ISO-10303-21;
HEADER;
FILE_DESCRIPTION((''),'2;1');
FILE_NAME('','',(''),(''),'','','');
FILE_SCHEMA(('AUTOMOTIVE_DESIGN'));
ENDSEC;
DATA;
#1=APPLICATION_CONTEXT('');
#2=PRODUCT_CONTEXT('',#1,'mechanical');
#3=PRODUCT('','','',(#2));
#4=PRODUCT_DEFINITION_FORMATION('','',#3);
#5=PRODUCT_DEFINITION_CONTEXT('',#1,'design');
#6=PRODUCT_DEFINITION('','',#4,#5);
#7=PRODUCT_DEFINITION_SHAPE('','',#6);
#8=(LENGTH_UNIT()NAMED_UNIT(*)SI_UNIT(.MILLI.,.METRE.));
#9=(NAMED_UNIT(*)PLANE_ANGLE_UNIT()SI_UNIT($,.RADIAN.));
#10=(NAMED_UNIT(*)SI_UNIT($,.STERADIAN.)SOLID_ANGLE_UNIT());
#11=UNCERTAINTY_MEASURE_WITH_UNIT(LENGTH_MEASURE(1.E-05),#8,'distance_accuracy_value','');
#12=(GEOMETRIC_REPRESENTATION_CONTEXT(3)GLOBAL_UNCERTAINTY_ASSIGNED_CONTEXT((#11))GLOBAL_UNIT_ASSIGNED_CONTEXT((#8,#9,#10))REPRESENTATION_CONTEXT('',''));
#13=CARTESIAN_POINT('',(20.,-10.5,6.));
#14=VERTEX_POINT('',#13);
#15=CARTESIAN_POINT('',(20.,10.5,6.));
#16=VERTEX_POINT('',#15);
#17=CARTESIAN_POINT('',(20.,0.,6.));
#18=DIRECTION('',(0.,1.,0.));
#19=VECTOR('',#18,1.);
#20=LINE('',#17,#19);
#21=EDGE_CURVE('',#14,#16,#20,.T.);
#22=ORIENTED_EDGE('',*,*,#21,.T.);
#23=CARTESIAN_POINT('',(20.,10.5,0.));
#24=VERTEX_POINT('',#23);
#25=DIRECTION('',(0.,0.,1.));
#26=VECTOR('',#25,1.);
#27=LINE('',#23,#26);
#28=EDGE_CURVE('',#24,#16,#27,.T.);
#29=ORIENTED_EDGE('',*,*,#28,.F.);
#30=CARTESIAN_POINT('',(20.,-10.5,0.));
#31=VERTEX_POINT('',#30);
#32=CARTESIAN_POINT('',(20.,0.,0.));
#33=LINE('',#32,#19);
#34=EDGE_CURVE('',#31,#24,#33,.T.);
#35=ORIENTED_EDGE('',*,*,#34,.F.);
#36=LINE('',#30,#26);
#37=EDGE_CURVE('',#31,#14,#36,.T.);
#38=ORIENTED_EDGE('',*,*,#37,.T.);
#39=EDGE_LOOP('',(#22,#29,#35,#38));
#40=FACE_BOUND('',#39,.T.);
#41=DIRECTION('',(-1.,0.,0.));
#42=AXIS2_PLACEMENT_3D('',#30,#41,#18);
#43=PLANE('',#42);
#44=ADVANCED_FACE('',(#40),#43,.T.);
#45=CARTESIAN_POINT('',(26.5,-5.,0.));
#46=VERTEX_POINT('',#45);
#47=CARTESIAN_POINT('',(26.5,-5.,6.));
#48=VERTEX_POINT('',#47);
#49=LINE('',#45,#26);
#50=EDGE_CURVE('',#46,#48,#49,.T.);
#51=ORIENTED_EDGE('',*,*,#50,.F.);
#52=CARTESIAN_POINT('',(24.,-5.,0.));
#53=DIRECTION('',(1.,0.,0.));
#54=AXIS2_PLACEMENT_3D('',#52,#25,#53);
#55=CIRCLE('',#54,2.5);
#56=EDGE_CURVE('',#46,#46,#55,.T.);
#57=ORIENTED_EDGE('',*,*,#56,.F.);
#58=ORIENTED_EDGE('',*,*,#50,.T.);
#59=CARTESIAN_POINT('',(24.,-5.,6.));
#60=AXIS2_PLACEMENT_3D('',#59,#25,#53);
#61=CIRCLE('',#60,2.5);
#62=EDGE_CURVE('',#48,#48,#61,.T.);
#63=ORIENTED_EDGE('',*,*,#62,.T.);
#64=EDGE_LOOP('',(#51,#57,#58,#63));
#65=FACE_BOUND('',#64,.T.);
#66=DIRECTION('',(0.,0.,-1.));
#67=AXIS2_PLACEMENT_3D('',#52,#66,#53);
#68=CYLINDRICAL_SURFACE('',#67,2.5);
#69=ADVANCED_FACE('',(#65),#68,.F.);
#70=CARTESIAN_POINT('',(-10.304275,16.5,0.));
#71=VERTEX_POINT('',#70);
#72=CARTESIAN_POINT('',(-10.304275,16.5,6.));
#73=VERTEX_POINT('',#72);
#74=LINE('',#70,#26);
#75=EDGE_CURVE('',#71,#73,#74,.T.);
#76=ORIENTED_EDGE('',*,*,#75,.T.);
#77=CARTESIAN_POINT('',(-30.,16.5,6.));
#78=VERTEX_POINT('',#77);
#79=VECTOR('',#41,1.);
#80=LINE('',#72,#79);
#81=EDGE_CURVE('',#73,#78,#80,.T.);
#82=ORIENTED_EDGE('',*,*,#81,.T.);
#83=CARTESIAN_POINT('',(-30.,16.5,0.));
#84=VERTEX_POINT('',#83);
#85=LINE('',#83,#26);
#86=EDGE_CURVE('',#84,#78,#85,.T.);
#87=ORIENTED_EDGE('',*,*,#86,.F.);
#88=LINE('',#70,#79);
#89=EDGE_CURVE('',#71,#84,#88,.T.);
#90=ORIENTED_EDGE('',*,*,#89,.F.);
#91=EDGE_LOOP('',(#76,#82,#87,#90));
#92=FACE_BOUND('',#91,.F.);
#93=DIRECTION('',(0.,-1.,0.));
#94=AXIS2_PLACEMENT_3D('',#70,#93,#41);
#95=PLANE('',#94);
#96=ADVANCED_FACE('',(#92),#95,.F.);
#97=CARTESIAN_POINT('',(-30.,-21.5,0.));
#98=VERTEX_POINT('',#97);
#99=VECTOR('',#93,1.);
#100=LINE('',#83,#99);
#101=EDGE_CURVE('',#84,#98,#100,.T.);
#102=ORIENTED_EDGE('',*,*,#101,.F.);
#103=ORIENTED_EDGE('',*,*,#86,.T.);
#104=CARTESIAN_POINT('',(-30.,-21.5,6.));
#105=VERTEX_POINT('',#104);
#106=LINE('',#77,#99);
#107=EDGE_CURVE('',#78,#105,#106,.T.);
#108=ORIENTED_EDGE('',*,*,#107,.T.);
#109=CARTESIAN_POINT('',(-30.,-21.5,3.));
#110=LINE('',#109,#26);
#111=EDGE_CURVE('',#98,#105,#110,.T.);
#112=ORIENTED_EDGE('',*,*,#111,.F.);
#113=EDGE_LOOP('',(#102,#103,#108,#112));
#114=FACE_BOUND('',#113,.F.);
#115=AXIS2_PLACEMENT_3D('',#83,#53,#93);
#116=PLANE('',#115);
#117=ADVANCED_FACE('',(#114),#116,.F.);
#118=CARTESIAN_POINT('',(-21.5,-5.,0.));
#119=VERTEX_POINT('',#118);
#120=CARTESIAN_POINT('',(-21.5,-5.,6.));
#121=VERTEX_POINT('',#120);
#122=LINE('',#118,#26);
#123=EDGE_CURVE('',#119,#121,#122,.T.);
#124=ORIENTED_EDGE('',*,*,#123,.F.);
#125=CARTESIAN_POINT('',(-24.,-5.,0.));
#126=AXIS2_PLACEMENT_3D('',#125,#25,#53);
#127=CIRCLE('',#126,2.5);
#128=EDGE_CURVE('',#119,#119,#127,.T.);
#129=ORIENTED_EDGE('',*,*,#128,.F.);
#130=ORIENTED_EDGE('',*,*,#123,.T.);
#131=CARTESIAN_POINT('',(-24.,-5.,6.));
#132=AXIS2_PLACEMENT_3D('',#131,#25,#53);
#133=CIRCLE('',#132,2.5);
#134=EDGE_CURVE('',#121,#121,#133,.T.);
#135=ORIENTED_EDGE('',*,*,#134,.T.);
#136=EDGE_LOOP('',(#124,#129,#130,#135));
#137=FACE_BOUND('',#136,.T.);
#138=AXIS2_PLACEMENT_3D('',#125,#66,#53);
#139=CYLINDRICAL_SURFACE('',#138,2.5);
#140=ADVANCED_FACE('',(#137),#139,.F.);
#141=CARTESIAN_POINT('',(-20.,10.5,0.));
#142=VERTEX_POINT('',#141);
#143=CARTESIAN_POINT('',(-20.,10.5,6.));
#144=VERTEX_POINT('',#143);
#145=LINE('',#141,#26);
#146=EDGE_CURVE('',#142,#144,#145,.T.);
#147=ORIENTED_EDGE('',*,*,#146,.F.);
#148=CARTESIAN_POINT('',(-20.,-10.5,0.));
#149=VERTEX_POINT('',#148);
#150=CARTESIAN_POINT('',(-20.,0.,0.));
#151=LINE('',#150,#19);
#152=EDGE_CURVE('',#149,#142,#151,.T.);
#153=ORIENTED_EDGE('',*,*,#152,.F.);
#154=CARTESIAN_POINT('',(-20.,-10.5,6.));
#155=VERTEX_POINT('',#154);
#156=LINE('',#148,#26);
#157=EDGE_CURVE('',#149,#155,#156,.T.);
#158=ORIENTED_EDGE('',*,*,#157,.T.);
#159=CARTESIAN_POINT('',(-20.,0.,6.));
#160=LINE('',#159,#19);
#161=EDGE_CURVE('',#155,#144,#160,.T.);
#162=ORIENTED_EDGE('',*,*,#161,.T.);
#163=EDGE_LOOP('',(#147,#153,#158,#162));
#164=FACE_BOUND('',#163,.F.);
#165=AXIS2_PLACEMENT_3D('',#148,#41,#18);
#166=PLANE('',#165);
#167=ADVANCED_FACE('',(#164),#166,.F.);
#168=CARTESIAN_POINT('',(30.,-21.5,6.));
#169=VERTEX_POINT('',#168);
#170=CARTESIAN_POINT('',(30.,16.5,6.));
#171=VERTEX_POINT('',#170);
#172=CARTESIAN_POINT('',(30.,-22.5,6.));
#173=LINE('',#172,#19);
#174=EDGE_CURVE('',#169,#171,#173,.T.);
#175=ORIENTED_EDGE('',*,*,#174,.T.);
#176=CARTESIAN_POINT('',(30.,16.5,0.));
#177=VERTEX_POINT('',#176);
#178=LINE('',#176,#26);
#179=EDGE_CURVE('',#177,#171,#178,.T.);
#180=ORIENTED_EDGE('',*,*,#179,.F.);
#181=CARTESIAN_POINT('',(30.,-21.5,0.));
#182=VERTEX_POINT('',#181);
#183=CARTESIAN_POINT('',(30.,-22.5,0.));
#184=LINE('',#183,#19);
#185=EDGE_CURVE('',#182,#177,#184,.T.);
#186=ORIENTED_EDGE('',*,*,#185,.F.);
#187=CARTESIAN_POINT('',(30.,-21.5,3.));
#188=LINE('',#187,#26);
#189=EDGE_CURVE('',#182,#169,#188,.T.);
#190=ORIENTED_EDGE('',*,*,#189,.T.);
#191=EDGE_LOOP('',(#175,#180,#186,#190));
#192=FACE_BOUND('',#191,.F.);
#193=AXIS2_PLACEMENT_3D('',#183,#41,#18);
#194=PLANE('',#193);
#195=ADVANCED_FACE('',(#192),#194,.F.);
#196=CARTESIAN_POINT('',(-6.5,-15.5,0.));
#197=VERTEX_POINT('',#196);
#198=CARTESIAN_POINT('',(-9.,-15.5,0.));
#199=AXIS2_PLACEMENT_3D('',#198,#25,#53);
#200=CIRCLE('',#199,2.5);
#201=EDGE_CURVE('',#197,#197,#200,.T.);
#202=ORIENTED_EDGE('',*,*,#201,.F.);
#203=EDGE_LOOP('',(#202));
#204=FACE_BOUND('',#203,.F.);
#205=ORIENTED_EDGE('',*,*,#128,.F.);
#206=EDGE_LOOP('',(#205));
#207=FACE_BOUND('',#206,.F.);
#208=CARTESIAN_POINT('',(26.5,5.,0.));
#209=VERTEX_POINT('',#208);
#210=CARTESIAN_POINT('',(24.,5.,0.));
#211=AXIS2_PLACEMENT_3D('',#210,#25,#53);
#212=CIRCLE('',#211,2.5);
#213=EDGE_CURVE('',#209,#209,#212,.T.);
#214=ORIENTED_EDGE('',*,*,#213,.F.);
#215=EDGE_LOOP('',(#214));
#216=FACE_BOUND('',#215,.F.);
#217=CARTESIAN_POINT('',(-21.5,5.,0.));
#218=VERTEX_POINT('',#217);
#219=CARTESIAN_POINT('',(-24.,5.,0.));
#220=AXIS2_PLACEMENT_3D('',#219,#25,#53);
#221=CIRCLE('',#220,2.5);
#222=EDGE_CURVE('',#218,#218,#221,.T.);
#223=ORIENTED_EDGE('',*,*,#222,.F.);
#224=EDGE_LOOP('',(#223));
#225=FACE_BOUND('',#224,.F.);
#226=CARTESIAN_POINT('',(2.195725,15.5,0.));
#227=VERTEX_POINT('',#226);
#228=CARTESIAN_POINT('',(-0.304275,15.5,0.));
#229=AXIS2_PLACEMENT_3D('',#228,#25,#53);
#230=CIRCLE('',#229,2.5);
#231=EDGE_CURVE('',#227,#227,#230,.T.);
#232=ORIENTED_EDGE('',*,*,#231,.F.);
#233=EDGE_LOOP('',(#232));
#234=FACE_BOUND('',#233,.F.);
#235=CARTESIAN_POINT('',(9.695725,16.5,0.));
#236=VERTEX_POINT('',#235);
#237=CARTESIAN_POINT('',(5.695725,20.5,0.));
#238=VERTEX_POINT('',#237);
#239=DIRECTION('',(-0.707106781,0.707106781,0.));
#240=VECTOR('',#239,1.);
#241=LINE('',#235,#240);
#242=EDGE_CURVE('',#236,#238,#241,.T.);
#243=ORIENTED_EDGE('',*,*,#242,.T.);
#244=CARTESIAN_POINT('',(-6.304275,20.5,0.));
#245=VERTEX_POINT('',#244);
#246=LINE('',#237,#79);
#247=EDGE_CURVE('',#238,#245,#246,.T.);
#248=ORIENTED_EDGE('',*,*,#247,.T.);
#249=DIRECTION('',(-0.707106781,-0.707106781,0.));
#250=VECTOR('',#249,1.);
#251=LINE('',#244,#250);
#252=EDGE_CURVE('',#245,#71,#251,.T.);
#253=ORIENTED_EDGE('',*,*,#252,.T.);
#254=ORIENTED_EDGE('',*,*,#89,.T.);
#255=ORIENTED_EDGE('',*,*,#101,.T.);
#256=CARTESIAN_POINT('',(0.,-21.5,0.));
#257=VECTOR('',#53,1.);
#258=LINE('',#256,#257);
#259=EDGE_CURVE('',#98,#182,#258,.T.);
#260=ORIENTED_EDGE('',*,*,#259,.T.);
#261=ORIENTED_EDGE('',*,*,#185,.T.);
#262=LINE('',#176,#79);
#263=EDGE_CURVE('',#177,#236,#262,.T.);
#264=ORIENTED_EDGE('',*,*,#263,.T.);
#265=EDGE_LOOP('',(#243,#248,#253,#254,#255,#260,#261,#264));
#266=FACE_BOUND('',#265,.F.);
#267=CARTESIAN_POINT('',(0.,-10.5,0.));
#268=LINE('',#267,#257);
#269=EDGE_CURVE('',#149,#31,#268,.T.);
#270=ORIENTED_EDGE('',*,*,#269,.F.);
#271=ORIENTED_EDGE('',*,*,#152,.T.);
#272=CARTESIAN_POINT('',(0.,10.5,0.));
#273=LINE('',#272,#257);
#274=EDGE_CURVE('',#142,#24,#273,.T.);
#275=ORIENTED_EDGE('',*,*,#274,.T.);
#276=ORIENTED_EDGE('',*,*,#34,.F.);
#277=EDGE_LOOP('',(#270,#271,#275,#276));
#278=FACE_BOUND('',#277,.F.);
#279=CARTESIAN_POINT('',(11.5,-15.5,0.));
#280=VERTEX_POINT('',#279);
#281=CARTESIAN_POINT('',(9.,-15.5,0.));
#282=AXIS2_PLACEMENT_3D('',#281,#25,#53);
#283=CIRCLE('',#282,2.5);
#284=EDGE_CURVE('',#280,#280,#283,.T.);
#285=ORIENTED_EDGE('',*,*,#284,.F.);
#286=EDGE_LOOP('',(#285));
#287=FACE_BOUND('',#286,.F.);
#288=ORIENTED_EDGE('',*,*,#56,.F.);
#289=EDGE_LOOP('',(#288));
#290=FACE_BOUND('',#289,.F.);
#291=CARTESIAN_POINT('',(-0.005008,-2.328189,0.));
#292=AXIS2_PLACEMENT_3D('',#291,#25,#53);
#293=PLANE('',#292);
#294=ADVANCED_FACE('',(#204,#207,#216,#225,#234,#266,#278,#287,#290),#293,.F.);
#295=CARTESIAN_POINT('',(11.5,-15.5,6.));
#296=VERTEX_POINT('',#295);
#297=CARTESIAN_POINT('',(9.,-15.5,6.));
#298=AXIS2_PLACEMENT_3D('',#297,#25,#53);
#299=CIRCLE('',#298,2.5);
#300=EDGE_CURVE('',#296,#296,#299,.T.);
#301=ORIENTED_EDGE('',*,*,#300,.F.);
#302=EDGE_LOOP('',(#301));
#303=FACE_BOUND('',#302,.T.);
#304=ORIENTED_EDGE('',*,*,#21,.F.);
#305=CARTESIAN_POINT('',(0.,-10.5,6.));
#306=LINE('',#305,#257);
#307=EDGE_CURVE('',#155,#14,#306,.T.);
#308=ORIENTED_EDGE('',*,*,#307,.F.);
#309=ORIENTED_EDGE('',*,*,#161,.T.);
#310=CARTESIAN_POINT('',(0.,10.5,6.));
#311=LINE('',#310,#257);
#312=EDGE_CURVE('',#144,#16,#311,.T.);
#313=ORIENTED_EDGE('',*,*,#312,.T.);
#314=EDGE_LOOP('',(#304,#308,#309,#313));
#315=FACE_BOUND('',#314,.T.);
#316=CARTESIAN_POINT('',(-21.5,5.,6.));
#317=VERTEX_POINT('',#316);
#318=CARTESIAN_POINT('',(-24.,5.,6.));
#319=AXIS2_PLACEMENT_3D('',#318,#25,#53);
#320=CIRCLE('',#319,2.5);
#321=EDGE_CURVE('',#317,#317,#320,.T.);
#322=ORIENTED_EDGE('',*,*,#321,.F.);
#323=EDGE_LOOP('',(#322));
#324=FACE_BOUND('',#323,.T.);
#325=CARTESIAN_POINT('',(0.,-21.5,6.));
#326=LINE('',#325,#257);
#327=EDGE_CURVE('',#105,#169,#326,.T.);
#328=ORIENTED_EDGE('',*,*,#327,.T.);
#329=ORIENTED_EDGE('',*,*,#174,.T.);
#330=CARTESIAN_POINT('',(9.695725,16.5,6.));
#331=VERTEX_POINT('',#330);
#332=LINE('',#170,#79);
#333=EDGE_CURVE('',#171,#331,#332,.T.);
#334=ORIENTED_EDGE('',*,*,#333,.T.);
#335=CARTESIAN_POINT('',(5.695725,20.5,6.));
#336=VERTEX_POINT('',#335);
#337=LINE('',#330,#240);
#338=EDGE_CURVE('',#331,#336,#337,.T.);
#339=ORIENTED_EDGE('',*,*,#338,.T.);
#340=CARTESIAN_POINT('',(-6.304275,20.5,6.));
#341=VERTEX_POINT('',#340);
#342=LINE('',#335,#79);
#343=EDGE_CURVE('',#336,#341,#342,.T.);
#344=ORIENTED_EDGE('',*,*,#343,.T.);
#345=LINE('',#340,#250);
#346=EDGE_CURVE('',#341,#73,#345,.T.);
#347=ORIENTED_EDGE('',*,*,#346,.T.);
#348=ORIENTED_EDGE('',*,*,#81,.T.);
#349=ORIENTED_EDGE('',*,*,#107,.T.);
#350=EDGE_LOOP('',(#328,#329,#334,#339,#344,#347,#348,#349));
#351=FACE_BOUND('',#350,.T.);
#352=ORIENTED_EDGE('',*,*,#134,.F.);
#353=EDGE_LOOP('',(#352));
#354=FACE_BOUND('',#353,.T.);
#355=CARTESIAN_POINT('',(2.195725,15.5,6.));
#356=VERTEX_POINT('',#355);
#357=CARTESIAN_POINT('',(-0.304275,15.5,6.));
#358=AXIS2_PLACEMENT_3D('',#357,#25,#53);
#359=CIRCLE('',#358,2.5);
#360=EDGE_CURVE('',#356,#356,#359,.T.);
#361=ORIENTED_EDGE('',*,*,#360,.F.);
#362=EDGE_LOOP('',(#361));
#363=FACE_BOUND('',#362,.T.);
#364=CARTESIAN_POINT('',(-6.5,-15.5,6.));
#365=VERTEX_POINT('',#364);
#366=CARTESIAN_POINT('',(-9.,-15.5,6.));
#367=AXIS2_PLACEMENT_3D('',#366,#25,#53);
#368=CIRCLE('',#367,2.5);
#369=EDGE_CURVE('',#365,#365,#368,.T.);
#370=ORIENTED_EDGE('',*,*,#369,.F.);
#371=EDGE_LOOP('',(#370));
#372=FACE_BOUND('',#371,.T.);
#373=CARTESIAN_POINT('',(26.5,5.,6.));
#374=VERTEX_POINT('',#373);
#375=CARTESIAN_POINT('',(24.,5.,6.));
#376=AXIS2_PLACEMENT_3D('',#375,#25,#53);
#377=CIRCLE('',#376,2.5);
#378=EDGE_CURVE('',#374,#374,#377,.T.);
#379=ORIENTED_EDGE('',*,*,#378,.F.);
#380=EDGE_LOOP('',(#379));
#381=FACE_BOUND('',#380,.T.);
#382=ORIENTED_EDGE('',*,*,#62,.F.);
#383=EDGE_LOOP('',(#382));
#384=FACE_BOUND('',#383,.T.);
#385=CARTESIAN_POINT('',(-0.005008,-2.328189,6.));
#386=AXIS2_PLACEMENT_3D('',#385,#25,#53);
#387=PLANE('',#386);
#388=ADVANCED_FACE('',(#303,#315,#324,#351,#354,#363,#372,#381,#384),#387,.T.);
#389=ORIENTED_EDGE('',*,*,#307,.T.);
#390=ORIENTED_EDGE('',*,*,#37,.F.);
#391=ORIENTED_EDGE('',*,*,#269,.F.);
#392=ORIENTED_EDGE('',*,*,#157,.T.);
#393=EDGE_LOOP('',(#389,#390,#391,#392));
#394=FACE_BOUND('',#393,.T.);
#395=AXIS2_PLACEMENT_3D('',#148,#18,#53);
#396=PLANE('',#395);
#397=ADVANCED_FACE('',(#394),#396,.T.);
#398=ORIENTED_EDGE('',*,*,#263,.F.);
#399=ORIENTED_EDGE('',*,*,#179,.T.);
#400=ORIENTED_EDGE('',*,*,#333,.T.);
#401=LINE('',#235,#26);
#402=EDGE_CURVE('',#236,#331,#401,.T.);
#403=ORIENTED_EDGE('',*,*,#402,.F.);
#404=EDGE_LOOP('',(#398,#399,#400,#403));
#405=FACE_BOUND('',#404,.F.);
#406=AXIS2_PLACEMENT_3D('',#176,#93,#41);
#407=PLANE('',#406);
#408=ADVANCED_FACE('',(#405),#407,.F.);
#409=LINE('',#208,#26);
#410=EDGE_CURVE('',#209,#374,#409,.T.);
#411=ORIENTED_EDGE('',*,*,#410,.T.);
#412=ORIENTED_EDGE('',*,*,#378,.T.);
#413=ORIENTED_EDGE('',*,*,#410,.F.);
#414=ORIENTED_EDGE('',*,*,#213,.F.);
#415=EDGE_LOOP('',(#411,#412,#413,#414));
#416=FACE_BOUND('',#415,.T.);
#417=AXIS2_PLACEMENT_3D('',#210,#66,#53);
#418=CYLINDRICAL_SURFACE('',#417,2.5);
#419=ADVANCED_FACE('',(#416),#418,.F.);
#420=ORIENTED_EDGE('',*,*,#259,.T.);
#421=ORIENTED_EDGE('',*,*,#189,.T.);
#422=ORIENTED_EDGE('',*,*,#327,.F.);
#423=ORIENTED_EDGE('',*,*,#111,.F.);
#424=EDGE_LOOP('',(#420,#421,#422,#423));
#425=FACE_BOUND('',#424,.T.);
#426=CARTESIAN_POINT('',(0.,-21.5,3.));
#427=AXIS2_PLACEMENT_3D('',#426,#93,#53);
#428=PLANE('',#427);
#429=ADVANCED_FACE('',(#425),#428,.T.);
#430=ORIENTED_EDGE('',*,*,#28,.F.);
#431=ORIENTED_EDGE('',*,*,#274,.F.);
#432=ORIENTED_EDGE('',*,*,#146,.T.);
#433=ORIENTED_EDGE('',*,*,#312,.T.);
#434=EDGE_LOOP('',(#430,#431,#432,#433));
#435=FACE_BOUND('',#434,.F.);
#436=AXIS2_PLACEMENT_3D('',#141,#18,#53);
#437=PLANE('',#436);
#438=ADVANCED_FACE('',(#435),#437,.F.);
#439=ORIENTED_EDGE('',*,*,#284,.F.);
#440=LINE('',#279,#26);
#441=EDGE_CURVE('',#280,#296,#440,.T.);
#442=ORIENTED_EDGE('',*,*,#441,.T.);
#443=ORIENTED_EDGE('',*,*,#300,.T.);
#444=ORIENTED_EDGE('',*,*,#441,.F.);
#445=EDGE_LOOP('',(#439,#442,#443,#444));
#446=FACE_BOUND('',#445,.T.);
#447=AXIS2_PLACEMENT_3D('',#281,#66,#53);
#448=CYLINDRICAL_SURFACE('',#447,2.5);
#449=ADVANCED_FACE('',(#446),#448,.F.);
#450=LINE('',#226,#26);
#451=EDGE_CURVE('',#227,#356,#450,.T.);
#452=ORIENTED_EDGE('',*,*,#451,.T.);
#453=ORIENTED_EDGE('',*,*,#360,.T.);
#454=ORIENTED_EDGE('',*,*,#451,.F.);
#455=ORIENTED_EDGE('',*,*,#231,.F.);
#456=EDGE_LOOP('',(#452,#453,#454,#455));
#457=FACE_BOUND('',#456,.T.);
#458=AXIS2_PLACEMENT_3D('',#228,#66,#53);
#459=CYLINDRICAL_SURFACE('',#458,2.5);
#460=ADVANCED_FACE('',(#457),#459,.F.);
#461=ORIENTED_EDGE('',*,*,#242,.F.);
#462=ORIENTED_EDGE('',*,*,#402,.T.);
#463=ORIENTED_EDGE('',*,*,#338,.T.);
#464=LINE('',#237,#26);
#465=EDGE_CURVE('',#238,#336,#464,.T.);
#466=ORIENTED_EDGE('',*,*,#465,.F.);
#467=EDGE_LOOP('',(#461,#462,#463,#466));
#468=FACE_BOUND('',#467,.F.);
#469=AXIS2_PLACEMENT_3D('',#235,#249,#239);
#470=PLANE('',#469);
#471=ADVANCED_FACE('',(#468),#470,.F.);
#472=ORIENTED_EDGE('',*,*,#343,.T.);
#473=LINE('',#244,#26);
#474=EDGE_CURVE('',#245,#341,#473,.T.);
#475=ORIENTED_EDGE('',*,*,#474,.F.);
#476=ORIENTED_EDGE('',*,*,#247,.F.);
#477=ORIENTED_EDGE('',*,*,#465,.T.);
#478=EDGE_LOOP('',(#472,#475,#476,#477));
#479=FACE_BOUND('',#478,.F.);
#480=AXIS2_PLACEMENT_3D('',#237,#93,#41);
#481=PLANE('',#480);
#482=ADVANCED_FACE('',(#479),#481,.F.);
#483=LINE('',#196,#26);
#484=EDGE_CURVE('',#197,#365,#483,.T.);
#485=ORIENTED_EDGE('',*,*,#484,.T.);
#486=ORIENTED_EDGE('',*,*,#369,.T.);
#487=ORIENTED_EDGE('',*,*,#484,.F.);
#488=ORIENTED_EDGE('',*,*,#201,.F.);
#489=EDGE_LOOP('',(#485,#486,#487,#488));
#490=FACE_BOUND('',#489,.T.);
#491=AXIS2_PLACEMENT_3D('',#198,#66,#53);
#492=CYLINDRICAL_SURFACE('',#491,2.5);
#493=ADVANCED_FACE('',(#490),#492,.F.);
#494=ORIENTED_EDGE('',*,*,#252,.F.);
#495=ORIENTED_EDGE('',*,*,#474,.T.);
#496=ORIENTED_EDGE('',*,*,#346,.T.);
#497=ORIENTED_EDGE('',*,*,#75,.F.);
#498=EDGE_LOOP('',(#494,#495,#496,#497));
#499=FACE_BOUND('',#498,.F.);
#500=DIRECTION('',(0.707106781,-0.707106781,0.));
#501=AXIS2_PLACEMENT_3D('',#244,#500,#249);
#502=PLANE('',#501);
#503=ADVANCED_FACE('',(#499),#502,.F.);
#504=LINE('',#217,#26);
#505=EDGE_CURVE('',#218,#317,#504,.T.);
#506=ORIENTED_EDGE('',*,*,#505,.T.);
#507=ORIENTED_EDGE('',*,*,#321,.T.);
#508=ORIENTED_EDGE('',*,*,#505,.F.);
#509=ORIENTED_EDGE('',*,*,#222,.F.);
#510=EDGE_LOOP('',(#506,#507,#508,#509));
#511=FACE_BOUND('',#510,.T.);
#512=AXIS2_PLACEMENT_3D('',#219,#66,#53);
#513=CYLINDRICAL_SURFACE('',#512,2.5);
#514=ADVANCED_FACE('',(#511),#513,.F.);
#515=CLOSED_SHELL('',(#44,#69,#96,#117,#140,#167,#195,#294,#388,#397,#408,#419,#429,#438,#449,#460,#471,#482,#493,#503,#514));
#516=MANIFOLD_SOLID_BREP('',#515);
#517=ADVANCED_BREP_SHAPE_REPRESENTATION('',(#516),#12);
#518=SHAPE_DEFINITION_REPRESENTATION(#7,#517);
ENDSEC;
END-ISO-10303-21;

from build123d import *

# Parameters (mm, degrees)
F0_R      = 2.5
F0_W      = 40
F0_H      = 21
F1_DEPTH  = 6
F1_FACE_W = 60
F1_FACE_H = 6
F2_DEPTH  = 1


with BuildPart() as f1:
    # F0 (on Top) → F1 (new body)
    with BuildSketch(Plane.XY):
        Polygon((30, 16.5), (19.39145, 16.5), (9.695725, 16.5), (5.695725, 20.5), (-6.304275, 20.5), (-10.304275, 16.5), (-20, 16.5), (-30, 16.5), (-30, 10.5), (-30, -10.5), (-30, -22.5), (-20, -22.5), (20, -22.5), (30, -22.5), (30, -10.5), (30, 10.5), align=None)
        with Locations((-9, -15.5)):
            Circle(F0_R, mode=Mode.SUBTRACT)
        with Locations((-24, -5)):
            Circle(F0_R, mode=Mode.SUBTRACT)
        with Locations((9, -15.5)):
            Circle(F0_R, mode=Mode.SUBTRACT)
        with Locations((24, -5)):
            Circle(F0_R, mode=Mode.SUBTRACT)
        with Locations((-24, 5)):
            Circle(F0_R, mode=Mode.SUBTRACT)
        with Locations((-0.304275, 15.5)):
            Circle(F0_R, mode=Mode.SUBTRACT)
        Rectangle(F0_W, F0_H, mode=Mode.SUBTRACT)
        with Locations((24, 5)):
            Circle(F0_R, mode=Mode.SUBTRACT)
    extrude(amount=F1_DEPTH)

    # F1_face (on face) → F2 (cut)
    with BuildSketch(Plane(origin=(0, -22.5, 3), x_dir=(1, 0, 0), z_dir=(0, -1, 0))):
        Rectangle(F1_FACE_W, F1_FACE_H)
    extrude(amount=-F2_DEPTH, mode=Mode.SUBTRACT)


solid = f1.part
